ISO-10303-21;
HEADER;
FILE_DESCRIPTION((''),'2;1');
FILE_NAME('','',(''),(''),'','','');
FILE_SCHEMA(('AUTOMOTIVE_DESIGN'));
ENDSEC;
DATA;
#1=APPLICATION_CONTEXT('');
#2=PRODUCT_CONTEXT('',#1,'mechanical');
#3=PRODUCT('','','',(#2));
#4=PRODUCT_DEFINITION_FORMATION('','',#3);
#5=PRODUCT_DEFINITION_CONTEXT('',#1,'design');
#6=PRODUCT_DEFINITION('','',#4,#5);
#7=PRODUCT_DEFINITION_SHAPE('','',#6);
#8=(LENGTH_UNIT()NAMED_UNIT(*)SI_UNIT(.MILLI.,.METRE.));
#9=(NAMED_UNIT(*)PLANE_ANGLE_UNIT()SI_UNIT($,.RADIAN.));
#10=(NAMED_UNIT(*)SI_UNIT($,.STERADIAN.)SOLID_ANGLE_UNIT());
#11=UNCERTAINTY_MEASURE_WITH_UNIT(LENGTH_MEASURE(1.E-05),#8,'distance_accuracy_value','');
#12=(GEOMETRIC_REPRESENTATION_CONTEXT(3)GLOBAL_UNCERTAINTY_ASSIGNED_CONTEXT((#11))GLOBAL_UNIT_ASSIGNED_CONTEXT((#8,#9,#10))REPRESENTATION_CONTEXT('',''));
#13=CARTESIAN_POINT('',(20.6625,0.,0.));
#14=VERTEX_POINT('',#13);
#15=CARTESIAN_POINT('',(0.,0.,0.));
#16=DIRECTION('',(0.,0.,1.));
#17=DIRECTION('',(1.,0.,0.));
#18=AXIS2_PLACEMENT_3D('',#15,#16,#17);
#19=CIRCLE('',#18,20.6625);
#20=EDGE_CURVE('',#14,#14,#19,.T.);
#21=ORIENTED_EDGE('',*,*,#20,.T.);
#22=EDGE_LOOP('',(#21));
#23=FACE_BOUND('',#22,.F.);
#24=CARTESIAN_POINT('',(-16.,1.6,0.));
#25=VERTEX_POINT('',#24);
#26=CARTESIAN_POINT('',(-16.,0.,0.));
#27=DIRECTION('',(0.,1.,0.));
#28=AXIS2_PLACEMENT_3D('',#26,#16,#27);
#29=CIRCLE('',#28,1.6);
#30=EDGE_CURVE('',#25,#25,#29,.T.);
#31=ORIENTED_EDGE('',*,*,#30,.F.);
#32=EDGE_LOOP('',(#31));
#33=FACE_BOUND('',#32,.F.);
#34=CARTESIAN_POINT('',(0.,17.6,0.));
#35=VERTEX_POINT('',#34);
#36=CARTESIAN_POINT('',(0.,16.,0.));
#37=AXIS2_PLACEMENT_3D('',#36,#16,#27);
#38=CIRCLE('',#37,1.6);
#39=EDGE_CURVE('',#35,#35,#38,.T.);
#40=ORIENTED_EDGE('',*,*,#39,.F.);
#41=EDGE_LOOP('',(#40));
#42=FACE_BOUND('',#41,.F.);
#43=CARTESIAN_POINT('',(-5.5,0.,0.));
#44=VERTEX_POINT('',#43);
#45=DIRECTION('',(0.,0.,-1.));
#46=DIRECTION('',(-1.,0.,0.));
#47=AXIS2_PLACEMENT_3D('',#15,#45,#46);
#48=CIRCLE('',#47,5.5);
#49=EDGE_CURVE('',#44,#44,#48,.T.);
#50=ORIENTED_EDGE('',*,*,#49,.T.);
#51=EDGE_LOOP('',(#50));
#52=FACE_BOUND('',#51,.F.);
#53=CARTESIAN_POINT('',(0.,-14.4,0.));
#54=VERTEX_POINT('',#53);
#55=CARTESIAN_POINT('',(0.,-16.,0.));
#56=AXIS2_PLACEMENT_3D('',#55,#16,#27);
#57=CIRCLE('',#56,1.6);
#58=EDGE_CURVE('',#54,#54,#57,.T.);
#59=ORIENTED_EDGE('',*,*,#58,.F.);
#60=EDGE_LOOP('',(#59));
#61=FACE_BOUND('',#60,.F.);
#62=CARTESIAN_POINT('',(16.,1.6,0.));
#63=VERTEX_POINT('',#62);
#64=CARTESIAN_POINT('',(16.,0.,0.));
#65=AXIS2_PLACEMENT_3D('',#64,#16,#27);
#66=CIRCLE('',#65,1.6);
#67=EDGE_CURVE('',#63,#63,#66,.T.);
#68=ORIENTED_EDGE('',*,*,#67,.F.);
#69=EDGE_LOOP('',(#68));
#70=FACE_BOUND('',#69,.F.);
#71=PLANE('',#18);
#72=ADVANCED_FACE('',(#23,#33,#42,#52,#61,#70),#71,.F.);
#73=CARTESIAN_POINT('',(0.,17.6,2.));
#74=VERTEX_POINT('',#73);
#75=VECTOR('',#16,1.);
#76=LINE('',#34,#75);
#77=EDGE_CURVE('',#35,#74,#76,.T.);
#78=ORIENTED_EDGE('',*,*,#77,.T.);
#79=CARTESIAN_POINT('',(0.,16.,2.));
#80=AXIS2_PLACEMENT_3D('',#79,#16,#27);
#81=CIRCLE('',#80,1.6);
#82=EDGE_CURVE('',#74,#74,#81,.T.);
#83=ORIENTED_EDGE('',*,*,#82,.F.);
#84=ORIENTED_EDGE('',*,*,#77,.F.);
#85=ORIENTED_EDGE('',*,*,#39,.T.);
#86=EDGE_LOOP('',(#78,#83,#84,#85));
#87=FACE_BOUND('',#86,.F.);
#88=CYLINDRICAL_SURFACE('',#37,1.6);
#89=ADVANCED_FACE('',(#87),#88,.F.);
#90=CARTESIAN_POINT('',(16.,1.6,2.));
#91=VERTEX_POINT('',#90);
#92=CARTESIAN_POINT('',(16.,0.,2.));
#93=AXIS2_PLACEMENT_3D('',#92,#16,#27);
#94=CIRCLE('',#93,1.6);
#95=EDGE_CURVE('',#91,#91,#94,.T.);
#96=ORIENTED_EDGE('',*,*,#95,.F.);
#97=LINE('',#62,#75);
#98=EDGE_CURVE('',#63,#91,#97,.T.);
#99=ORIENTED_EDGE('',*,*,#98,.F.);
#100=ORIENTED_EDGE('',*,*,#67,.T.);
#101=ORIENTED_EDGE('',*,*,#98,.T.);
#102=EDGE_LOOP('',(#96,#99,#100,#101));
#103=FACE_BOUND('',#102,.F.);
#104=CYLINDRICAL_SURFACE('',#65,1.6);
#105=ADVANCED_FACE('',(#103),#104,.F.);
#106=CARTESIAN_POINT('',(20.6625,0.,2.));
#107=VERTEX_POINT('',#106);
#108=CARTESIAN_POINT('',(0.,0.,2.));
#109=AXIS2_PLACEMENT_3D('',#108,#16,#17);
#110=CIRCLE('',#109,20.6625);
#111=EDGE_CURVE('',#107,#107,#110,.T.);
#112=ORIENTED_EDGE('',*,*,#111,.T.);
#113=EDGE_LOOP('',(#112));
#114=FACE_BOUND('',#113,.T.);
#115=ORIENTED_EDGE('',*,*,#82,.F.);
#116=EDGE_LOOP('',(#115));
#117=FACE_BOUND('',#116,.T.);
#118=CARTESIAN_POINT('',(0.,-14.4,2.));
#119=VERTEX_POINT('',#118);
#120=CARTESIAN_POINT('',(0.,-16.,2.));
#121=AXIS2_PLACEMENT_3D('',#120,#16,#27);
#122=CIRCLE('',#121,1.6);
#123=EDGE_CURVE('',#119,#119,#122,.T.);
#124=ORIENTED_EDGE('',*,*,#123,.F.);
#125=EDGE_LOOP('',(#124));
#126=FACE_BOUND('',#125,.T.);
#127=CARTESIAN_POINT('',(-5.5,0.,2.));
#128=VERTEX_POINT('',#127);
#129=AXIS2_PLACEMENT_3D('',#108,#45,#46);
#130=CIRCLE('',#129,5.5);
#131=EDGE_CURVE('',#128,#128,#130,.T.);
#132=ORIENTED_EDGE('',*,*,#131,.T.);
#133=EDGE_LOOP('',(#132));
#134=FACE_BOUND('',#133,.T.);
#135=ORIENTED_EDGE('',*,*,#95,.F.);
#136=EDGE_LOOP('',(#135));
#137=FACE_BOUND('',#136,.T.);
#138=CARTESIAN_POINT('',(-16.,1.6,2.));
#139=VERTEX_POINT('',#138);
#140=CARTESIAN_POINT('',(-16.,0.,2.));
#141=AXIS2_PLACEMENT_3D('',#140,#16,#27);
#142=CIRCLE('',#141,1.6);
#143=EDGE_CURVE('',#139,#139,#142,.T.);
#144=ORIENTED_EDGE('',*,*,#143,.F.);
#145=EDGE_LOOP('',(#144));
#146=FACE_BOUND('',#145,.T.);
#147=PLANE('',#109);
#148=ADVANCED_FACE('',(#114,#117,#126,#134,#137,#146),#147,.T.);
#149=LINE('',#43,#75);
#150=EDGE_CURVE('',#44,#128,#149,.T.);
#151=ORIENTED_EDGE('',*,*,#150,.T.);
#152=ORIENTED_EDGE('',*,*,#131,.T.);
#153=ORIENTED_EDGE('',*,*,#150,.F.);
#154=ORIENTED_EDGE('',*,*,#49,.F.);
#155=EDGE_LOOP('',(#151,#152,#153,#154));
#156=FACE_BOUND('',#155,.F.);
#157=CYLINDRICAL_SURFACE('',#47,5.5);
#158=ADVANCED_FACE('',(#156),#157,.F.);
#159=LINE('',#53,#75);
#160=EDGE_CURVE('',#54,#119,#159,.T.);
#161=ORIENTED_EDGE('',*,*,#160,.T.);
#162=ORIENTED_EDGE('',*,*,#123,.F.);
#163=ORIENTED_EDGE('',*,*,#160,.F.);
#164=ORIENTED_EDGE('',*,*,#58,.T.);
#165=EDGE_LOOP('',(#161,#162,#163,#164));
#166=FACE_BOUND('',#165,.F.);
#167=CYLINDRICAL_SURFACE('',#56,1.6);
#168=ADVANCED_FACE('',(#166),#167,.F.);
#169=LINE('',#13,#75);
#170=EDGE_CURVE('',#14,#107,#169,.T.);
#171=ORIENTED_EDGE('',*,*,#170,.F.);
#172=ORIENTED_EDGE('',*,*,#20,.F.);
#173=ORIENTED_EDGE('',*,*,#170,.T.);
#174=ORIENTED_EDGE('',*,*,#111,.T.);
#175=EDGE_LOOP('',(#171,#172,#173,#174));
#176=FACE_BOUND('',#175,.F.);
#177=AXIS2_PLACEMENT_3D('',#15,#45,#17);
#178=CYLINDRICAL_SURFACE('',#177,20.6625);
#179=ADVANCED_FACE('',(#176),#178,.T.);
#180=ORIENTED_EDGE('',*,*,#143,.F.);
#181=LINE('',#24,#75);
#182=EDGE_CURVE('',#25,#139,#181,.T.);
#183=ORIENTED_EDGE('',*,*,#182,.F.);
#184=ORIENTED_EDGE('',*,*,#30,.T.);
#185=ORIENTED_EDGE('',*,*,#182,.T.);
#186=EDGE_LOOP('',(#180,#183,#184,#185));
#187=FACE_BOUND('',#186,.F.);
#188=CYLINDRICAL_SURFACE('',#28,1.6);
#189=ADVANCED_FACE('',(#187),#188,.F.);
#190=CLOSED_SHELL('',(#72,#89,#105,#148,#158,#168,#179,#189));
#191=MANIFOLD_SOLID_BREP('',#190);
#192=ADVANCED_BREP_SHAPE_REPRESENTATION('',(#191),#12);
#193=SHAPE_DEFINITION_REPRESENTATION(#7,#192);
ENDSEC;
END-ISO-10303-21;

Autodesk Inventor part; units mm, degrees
ref_plane "YZ Plane" through (0, 0, 0) normal (1, 0, 0) x (0, 1, 0)
ref_plane "XZ Plane" through (0, 0, 0) normal (0, 1, 0) x (-1, 0, 0)
ref_plane "XY Plane" through (0, 0, 0) normal (0, 0, 1) x (1, 0, 0)
sketch "Sketch1" plane through (0, 0, 0) normal (0, 0, 1) x (1, 0, 0)
  circle A0 centre (0, 0) radius 11
  circle A1 centre (0, 0) radius 20.6625
  point P0 (16, 0)
  point P1 (0, 16)
  point P2 (-16, 0)
  point P3 (0, -16)
  dimension "d0" = 22
  dimension "d2" = 16
  dimension "d5" = 360
  dimension "d7" = 41.325
extrude "Plate1" add sketch "Sketch1" along normal blind 2 contours A0 | A1
hole "Hole1" at (16, 0, 0) at (0, 16, 0) at (-16, 0, 0) at (0, -16, 0) direction (0, 0, 1) diameter 3.2 end through all clearance for "Countersunk Flat Head Screw ISO 2009/7046" size "M3" standard "ISO"
sketch "Sketch2" plane through (0, 0, 0) normal (0, 0, -1) x (-1, 0, 0)
  circle A0 centre (0, 0) radius 5.5
  dimension "d16" = 11
extrude "Cut1" cut sketch "Sketch2" against normal blind 2
equation "\"d14\" = Thickness"
equation "\"d17\" = Thickness"
equation "\"d8\" = Thickness"
equation "\"BendRadius\" = Thickness"
equation "\"BendReliefWidth\" = Thickness"
equation "\"BendReliefDepth\" = 0.5 * Thickness"
equation "\"CornerReliefSize\" = 4 * Thickness"
equation "\"MinimumRemnant\" = 2 * Thickness"
equation "\"TransitionRadius\" = BendRadius"
equation "\"JacobiRadiusSize\" = BendRadius"
equation "\"GapSize\" = Thickness"
equation "\"Thickness\" = 2"
properties part number "60mmspacerDicht" material "Aluminum 6061"
